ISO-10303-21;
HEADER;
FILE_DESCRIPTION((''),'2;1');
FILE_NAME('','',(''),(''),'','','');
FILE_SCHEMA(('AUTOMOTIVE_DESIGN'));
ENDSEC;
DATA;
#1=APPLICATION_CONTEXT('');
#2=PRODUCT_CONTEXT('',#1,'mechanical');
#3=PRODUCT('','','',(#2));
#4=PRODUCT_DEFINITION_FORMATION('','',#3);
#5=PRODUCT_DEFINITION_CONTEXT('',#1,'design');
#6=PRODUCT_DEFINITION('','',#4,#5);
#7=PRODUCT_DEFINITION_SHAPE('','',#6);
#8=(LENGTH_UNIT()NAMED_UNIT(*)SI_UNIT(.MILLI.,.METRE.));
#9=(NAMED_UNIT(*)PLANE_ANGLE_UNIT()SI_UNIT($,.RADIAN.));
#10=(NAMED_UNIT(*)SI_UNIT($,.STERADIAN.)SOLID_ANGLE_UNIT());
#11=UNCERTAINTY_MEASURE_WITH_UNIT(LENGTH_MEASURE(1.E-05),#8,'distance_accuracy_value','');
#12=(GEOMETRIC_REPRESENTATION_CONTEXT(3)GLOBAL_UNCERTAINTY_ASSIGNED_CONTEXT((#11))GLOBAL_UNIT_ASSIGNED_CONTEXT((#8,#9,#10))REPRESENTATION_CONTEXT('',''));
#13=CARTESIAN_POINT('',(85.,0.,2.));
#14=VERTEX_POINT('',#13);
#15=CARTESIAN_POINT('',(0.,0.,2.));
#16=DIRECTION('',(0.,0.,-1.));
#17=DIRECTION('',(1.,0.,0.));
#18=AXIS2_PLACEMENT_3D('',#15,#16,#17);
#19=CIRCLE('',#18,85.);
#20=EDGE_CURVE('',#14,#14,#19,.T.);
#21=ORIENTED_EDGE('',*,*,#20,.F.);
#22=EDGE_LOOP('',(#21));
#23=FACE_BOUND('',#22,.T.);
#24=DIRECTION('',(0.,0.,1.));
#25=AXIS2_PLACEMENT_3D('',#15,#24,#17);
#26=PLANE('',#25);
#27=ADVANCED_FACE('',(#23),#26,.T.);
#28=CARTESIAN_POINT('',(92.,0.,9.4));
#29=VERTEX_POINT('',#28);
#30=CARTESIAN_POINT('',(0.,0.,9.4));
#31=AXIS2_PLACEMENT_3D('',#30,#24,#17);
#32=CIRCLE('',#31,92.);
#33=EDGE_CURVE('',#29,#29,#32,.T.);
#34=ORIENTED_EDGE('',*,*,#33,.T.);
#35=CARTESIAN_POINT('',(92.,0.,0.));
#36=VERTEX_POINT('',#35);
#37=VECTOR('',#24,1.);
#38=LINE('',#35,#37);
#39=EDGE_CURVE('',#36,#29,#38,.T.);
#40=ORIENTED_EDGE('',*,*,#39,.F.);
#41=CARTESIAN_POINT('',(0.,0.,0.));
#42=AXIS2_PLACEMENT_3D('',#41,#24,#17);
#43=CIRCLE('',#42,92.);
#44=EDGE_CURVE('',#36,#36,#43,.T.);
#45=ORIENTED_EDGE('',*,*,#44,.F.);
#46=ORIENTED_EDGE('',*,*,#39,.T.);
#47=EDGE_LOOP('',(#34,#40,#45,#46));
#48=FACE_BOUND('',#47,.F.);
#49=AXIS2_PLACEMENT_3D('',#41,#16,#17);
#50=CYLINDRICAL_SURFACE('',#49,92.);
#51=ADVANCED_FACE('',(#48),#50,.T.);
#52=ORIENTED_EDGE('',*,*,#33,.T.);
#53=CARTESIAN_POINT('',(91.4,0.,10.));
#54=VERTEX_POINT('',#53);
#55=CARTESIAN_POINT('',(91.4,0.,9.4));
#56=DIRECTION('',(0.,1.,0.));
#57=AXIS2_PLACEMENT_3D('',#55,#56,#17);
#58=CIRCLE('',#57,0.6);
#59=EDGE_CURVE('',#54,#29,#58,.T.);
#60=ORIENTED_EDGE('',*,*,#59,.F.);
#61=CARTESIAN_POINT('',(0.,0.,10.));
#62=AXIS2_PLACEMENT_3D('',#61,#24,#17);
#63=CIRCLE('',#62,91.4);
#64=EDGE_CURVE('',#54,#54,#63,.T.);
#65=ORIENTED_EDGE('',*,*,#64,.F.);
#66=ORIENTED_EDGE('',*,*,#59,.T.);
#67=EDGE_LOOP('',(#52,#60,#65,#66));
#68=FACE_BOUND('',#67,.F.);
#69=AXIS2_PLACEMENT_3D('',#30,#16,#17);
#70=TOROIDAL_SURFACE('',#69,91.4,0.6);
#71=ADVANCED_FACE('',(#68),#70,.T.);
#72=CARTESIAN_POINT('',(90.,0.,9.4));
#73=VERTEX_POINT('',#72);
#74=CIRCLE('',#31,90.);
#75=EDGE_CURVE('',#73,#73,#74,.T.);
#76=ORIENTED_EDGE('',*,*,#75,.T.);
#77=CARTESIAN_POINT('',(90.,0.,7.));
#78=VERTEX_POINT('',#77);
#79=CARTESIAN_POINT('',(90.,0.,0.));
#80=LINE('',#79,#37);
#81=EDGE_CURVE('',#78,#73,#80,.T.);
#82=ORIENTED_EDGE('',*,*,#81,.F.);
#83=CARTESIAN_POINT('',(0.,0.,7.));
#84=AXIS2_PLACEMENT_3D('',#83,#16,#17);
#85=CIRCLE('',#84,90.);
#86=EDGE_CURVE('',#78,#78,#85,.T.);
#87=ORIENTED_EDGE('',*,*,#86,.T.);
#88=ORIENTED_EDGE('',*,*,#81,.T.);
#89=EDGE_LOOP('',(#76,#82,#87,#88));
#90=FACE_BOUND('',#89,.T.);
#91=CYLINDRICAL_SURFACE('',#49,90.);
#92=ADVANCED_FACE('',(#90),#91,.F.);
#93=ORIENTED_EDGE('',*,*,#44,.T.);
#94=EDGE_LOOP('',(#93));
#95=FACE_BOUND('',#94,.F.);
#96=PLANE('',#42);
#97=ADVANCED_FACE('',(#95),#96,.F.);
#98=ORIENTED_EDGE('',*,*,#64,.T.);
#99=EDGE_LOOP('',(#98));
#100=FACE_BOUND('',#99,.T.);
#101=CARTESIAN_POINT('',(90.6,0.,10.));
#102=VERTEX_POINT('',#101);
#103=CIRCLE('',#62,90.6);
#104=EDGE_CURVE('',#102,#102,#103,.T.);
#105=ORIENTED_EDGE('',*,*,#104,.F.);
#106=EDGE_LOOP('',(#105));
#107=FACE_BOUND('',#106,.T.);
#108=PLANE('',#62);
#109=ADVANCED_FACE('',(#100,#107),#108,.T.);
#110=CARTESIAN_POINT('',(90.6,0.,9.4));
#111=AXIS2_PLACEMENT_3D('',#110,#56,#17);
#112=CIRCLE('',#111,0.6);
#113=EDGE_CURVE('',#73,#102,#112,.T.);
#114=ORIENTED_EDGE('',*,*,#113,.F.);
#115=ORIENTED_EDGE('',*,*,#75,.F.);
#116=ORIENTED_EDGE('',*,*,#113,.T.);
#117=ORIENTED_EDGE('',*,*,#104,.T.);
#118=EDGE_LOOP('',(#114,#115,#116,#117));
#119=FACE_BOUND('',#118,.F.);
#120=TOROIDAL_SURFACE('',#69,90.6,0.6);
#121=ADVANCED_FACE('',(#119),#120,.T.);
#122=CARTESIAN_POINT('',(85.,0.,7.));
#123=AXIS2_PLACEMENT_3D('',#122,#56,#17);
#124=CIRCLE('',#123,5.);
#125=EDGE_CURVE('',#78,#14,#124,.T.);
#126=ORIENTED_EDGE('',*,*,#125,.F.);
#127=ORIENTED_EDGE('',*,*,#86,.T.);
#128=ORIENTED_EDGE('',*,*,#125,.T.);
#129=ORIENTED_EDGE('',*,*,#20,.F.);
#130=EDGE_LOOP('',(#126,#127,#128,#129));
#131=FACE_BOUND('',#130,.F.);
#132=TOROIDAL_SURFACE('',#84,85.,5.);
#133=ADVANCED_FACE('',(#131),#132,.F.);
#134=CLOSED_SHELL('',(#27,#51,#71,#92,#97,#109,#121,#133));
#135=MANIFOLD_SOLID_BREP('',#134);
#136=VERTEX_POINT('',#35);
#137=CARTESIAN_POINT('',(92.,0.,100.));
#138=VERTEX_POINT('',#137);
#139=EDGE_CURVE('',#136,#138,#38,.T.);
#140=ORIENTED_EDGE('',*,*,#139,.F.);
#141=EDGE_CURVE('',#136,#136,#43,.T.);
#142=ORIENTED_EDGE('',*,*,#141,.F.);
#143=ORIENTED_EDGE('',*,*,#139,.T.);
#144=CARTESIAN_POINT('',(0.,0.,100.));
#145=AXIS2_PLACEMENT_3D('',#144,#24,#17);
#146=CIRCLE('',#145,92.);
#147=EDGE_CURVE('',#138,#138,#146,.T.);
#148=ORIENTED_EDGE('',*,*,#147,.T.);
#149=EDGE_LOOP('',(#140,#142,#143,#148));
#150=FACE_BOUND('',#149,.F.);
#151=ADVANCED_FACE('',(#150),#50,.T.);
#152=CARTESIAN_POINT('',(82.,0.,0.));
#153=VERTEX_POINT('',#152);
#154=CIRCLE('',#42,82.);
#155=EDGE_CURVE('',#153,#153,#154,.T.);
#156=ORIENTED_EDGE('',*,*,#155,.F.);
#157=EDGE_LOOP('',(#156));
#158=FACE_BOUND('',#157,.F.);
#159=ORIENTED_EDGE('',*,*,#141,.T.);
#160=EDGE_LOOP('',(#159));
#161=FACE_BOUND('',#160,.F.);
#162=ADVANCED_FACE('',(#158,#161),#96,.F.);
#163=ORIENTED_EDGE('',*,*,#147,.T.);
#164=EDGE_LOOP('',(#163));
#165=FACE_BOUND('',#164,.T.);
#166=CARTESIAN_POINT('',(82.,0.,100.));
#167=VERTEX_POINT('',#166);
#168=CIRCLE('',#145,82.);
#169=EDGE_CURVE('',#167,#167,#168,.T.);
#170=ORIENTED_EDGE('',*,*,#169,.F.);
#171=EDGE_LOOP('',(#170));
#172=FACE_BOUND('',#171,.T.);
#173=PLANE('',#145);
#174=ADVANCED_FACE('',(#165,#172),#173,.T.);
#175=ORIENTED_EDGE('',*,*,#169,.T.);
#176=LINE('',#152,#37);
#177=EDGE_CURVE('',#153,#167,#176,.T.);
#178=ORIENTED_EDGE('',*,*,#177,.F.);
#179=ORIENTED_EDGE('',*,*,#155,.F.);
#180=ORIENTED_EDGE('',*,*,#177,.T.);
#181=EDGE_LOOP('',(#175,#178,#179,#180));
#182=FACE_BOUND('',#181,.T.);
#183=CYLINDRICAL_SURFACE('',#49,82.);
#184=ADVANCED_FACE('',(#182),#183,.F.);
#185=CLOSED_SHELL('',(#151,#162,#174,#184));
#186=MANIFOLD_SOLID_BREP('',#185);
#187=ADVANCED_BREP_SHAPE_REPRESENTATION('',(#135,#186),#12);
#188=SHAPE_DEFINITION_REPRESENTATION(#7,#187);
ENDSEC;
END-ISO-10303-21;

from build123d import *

# Parameters (mm, degrees)
SKETCH_R      = 92
PAD_DEPTH     = 10
THICKNESS_T   = -2
FILLET_R      = 5
FILLET001_R   = 0.6
SKETCH001_R   = 92
SKETCH001_R_2 = 82
PAD001_DEPTH  = 100


with BuildPart() as body:
    # Sketch → Pad (new body)
    with BuildSketch(Plane.XY):
        Circle(SKETCH_R)
    extrude(amount=PAD_DEPTH)

    # Thickness
    thickness_openings = [body.faces().sort_by_distance(p)[0] for p in [
        (0, 0, 10),
    ]]
    offset(amount=THICKNESS_T, openings=thickness_openings)

    # Fillet
    fillet_edges = [body.edges().sort_by_distance(p)[0] for p in [
        (-90, 0, 2),
    ]]
    fillet(fillet_edges, radius=FILLET_R)

    # Fillet001
    fillet001_edges = [body.edges().sort_by_distance(p)[0] for p in [
        (-92, 0, 10),
        (-90, 0, 10),
    ]]
    fillet(fillet001_edges, radius=FILLET001_R)


with BuildPart() as body001:
    # Sketch001 → Pad001 (new body)
    with BuildSketch(Plane.XY):
        Circle(SKETCH001_R)
        Circle(SKETCH001_R_2, mode=Mode.SUBTRACT)
    extrude(amount=PAD001_DEPTH)


solid = Compound([body.part, body001.part])
